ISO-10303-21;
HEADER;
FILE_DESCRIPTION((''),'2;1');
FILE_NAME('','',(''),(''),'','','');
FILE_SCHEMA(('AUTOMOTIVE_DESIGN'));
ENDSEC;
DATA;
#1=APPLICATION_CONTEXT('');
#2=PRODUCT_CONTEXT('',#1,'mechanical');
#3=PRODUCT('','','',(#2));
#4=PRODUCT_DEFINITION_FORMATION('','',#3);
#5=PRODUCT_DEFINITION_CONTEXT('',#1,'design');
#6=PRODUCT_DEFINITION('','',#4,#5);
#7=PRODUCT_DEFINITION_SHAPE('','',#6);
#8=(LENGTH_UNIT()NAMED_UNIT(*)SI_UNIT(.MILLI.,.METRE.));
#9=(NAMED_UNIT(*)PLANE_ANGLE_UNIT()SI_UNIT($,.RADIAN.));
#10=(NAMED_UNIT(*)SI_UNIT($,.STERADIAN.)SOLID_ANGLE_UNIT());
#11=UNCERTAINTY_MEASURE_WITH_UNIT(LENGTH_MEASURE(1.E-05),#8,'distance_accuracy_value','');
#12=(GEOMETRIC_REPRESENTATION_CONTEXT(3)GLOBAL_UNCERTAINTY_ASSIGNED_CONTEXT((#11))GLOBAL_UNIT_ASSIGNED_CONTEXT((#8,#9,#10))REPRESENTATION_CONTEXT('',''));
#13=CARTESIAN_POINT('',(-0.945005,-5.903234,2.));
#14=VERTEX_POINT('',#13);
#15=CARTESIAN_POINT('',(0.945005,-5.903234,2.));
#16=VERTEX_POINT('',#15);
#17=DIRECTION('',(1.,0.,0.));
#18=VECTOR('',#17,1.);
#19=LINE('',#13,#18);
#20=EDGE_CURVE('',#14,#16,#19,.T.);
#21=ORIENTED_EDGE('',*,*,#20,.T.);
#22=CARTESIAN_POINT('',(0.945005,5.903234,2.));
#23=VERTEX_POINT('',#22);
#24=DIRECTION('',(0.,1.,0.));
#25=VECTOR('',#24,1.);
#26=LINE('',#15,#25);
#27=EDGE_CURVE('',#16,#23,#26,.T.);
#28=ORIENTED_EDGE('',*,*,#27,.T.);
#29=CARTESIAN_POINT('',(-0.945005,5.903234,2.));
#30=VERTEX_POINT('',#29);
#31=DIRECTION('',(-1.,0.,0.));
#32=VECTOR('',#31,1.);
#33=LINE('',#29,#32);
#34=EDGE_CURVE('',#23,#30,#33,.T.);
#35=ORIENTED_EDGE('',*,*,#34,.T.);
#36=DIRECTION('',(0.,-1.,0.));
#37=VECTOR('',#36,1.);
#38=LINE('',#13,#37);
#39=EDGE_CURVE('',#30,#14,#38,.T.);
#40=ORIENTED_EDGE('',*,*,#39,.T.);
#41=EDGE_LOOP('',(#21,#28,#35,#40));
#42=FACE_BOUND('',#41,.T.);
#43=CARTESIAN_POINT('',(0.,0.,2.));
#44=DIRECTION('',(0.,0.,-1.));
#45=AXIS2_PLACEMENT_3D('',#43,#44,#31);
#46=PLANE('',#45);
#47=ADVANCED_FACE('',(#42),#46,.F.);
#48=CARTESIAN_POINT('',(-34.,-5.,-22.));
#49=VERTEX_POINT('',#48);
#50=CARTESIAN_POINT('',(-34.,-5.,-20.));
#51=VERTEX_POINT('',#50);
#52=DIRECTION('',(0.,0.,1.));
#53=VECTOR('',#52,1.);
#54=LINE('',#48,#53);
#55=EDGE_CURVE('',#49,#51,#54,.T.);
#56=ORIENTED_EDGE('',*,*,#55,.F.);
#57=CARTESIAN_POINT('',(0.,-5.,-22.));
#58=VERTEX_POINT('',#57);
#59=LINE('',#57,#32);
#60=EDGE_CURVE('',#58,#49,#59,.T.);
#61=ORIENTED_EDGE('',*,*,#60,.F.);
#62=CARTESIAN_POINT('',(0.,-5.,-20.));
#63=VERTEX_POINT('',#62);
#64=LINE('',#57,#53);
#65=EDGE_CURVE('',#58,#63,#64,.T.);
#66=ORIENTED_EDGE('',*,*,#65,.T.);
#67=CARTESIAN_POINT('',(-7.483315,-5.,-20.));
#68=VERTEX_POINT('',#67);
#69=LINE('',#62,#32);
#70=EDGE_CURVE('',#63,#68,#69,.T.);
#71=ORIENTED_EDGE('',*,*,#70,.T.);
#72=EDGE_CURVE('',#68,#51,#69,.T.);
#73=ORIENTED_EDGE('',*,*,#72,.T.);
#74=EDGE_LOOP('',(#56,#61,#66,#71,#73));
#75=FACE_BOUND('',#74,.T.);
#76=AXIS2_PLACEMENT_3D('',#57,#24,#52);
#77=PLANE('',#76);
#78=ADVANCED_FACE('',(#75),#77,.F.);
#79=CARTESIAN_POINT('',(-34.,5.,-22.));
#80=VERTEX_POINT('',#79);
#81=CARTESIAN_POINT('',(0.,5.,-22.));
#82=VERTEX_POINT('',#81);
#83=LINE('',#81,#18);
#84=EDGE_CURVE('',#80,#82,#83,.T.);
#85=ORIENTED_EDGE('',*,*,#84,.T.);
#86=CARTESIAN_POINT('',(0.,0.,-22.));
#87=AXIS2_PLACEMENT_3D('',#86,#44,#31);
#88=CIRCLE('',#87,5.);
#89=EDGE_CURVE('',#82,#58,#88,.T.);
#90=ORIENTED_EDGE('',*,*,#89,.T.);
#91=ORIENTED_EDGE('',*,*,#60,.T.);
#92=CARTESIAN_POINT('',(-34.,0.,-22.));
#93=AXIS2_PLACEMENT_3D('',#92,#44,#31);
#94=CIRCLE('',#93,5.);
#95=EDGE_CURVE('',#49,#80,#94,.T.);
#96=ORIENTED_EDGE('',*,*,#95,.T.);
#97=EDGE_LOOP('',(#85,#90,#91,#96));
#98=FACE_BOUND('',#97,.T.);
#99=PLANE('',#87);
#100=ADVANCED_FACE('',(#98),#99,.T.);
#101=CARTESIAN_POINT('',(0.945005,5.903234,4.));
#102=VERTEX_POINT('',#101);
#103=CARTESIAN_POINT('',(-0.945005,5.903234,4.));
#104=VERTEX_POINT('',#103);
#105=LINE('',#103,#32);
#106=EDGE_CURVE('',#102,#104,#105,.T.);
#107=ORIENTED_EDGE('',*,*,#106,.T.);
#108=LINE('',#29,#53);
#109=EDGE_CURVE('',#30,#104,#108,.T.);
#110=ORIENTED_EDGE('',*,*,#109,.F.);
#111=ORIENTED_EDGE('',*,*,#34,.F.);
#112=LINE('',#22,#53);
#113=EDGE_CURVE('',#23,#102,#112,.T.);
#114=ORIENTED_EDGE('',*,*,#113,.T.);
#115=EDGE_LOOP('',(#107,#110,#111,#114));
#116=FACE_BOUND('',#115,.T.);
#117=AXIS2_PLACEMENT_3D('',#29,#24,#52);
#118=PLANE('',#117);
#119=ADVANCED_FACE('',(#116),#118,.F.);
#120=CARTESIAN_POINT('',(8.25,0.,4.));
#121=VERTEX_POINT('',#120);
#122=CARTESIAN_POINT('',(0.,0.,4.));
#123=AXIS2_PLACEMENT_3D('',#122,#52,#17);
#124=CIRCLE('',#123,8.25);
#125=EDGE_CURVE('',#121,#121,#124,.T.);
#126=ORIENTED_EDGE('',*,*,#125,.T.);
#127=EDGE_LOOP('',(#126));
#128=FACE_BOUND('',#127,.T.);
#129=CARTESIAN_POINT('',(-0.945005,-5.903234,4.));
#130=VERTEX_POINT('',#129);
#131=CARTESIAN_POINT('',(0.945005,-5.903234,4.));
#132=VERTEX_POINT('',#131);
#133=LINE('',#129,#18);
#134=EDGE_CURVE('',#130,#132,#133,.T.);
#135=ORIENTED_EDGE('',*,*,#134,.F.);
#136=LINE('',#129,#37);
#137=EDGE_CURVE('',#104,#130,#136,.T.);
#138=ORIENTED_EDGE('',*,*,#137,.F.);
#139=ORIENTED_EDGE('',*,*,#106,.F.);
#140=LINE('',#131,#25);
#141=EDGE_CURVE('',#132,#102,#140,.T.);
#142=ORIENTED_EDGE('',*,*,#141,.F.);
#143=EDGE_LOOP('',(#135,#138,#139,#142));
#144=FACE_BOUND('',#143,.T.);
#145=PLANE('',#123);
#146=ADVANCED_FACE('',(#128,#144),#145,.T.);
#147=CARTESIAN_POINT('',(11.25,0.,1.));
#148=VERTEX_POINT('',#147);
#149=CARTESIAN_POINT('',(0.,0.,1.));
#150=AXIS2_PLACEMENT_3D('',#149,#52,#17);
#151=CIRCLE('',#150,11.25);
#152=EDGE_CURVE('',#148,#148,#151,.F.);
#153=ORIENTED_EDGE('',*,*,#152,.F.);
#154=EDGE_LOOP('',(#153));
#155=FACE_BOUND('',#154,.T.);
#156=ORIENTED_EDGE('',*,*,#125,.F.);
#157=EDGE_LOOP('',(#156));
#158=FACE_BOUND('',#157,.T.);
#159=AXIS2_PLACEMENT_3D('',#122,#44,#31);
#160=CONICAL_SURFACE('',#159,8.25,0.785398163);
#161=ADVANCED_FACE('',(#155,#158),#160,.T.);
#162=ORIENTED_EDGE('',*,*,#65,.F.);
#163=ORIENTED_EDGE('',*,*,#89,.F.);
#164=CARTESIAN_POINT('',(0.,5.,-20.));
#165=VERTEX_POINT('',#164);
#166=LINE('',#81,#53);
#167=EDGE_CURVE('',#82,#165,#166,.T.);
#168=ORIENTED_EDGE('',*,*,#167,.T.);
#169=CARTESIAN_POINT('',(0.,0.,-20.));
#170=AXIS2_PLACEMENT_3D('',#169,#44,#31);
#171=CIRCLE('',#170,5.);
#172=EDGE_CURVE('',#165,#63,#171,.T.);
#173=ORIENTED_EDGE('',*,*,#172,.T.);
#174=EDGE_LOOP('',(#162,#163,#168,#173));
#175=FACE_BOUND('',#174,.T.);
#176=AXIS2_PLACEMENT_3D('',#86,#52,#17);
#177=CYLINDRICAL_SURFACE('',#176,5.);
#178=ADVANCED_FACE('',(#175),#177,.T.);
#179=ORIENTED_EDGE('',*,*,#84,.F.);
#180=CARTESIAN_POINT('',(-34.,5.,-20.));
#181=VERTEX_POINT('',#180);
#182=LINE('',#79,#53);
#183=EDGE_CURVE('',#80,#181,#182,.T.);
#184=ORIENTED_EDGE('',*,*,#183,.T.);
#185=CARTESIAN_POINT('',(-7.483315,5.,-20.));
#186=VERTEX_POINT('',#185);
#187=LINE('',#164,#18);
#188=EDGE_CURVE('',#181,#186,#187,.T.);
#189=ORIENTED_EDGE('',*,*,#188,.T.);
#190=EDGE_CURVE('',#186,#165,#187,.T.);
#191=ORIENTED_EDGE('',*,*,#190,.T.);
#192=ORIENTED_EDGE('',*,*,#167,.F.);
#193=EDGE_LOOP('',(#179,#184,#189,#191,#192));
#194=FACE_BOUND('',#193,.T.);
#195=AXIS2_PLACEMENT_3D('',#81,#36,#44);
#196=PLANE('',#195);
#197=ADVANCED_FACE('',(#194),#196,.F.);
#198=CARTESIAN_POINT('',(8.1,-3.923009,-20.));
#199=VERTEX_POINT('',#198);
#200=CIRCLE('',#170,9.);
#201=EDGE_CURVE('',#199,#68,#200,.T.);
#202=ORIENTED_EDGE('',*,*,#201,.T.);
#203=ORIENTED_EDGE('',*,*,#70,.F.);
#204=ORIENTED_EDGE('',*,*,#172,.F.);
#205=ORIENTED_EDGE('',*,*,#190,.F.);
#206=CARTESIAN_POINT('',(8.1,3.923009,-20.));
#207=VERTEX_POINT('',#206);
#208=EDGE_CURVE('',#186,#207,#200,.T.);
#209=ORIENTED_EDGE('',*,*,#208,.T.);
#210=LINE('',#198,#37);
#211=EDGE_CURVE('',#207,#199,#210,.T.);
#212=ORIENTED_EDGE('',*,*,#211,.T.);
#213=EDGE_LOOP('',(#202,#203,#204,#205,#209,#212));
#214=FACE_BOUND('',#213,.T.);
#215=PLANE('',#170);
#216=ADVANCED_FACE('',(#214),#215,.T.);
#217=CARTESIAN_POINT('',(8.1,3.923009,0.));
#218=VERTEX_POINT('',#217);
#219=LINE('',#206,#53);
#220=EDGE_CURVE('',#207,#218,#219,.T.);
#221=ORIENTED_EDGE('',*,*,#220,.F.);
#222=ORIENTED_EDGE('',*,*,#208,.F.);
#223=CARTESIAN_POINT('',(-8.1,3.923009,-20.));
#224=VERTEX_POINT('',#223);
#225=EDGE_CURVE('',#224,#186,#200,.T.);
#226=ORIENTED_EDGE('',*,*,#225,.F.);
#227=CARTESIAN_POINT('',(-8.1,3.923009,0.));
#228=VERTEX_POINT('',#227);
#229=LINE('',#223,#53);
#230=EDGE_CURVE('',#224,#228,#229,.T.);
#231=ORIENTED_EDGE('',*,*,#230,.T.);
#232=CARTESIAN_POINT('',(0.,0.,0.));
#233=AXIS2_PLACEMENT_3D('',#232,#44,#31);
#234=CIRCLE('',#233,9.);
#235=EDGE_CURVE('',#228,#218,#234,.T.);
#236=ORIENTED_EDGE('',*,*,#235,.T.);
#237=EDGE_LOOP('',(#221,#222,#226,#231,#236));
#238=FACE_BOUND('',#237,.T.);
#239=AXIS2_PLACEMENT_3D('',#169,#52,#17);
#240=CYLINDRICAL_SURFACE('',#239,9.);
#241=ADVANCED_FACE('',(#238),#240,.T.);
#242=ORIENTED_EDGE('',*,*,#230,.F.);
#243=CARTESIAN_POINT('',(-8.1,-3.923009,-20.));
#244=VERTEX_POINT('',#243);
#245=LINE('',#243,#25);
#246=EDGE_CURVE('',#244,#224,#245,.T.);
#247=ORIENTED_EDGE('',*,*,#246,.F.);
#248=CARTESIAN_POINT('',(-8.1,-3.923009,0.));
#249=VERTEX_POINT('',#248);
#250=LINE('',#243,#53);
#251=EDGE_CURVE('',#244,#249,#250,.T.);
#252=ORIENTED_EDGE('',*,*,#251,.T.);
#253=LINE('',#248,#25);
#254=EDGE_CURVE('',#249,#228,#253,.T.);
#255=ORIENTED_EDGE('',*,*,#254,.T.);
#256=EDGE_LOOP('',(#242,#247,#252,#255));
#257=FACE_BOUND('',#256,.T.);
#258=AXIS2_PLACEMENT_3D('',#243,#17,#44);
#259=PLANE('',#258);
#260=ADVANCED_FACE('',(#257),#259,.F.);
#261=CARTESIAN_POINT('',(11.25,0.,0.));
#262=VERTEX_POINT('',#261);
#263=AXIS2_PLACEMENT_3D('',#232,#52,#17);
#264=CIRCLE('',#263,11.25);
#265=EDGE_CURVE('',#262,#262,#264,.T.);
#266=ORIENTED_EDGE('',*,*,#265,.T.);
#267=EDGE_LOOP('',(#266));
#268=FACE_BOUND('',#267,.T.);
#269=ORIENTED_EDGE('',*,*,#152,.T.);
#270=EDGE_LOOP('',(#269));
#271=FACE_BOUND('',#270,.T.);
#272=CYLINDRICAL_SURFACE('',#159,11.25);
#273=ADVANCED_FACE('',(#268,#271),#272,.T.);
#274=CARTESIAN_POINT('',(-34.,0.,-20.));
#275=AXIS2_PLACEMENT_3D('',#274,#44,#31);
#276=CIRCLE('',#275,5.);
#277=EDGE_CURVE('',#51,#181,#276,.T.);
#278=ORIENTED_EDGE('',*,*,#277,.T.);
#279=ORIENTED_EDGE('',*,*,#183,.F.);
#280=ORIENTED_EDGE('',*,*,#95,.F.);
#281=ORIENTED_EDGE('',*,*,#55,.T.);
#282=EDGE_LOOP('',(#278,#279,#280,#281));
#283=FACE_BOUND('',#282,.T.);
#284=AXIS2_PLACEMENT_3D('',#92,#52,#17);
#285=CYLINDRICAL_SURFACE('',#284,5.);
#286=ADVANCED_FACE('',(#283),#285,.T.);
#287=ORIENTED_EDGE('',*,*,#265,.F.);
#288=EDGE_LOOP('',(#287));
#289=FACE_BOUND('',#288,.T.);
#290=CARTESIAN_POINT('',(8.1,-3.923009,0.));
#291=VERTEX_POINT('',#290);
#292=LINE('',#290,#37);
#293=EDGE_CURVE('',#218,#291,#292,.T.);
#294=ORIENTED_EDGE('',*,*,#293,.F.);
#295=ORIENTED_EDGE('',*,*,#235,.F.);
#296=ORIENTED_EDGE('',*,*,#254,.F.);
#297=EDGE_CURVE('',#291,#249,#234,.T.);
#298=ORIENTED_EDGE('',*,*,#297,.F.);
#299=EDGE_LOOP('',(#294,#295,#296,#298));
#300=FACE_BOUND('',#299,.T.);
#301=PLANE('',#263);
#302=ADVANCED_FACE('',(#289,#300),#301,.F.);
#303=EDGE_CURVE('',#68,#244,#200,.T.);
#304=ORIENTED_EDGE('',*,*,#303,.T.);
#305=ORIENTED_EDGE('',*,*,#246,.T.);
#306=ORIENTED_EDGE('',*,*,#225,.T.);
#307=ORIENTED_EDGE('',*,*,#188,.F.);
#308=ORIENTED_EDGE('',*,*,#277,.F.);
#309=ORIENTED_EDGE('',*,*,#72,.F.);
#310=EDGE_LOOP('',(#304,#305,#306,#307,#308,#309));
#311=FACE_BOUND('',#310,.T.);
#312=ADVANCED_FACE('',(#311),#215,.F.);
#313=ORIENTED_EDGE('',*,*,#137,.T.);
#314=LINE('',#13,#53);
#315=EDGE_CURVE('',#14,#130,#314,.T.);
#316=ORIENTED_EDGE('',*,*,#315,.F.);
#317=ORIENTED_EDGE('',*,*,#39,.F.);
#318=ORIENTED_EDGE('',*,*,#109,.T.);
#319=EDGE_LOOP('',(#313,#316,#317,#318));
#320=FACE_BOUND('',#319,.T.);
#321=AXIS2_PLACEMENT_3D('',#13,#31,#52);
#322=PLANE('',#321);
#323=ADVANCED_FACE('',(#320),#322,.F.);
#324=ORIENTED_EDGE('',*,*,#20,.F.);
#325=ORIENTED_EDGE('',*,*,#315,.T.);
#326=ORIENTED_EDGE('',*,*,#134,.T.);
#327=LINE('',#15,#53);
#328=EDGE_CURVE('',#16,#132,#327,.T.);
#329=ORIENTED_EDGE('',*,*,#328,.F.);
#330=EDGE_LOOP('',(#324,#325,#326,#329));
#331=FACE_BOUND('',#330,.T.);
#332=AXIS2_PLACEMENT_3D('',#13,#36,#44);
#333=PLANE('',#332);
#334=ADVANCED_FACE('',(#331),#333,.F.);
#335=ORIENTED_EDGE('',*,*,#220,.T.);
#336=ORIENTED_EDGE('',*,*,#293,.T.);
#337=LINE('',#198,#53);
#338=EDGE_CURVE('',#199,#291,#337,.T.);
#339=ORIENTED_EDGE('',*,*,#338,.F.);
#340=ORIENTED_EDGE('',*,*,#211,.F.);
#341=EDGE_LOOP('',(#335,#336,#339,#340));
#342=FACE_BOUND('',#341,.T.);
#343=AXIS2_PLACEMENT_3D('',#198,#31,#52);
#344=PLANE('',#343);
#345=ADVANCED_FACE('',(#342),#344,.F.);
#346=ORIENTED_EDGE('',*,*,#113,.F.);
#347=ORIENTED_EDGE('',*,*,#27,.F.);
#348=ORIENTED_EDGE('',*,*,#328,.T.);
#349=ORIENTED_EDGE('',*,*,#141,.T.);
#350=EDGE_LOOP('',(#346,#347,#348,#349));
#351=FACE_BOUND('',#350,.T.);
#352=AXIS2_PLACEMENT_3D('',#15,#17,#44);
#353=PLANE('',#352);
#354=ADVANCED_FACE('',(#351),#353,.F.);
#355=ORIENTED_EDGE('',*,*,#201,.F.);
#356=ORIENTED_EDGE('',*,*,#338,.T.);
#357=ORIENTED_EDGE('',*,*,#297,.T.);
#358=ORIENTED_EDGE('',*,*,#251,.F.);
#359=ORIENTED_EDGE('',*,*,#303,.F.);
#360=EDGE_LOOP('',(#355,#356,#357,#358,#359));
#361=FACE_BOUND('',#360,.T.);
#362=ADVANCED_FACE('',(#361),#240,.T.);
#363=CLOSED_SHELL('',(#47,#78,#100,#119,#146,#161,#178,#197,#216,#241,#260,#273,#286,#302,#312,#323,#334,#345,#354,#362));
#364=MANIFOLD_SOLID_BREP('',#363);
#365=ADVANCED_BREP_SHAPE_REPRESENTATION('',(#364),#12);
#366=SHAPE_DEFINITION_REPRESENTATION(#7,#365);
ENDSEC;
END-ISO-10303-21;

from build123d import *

# Parameters (mm, degrees)
SKETCH_1_R          = 11.25
EXTRUDE_1_DEPTH     = 4
SKETCH_2_W          = 1.89000918
SKETCH_2_H          = 11.806467468
CUT_EXTRUDE_1_DEPTH = 2
EXTRUDE_2_DEPTH     = 20
EXTRUDE_3_DEPTH     = 2
CHAMFER_1_SIZE      = 3


with BuildPart() as part:
    # 草图1 → 凸台-拉伸1 (new body)
    with BuildSketch(Plane.XY):
        Circle(SKETCH_1_R)
    extrude(amount=EXTRUDE_1_DEPTH)

    # 草图2 → 切除-拉伸1 (cut)
    with BuildSketch(Plane.XY.offset(4)):
        Rectangle(SKETCH_2_W, SKETCH_2_H)
    extrude(amount=-CUT_EXTRUDE_1_DEPTH, mode=Mode.SUBTRACT)

    # 草图3 → 凸台-拉伸2 (add)
    with BuildSketch(Plane(origin=(0, 0, 0), x_dir=(-1, 0, 0), z_dir=(0, 0, -1))):
        with BuildLine():
            Line((-8.1, -3.923009049), (-8.1, 3.923009049))
            ThreePointArc((-8.1, 3.923009049), (0, 9), (8.1, 3.923009049))
            Line((8.1, 3.923009049), (8.1, -3.923009049))
            ThreePointArc((8.1, -3.923009049), (0, -9), (-8.1, -3.923009049))
        make_face()
    extrude(amount=EXTRUDE_2_DEPTH)

    # 草图4 → 凸台-拉伸3 (add)
    with BuildSketch(Plane(origin=(0, 0, -20), x_dir=(-1, 0, 0), z_dir=(0, 0, -1))):
        with BuildLine():
            Line((0, 5), (34, 5))
            ThreePointArc((34, 5), (39, 0), (34, -5))
            Line((34, -5), (0, -5))
            ThreePointArc((0, -5), (-5, 0), (0, 5))
        make_face()
    extrude(amount=EXTRUDE_3_DEPTH)

    # 倒角1
    chamfer_1_edges = [part.edges().sort_by_distance(p)[0] for p in [
        (-11.25, 0, 4),
    ]]
    chamfer(chamfer_1_edges, length=CHAMFER_1_SIZE)


solid = part.part
